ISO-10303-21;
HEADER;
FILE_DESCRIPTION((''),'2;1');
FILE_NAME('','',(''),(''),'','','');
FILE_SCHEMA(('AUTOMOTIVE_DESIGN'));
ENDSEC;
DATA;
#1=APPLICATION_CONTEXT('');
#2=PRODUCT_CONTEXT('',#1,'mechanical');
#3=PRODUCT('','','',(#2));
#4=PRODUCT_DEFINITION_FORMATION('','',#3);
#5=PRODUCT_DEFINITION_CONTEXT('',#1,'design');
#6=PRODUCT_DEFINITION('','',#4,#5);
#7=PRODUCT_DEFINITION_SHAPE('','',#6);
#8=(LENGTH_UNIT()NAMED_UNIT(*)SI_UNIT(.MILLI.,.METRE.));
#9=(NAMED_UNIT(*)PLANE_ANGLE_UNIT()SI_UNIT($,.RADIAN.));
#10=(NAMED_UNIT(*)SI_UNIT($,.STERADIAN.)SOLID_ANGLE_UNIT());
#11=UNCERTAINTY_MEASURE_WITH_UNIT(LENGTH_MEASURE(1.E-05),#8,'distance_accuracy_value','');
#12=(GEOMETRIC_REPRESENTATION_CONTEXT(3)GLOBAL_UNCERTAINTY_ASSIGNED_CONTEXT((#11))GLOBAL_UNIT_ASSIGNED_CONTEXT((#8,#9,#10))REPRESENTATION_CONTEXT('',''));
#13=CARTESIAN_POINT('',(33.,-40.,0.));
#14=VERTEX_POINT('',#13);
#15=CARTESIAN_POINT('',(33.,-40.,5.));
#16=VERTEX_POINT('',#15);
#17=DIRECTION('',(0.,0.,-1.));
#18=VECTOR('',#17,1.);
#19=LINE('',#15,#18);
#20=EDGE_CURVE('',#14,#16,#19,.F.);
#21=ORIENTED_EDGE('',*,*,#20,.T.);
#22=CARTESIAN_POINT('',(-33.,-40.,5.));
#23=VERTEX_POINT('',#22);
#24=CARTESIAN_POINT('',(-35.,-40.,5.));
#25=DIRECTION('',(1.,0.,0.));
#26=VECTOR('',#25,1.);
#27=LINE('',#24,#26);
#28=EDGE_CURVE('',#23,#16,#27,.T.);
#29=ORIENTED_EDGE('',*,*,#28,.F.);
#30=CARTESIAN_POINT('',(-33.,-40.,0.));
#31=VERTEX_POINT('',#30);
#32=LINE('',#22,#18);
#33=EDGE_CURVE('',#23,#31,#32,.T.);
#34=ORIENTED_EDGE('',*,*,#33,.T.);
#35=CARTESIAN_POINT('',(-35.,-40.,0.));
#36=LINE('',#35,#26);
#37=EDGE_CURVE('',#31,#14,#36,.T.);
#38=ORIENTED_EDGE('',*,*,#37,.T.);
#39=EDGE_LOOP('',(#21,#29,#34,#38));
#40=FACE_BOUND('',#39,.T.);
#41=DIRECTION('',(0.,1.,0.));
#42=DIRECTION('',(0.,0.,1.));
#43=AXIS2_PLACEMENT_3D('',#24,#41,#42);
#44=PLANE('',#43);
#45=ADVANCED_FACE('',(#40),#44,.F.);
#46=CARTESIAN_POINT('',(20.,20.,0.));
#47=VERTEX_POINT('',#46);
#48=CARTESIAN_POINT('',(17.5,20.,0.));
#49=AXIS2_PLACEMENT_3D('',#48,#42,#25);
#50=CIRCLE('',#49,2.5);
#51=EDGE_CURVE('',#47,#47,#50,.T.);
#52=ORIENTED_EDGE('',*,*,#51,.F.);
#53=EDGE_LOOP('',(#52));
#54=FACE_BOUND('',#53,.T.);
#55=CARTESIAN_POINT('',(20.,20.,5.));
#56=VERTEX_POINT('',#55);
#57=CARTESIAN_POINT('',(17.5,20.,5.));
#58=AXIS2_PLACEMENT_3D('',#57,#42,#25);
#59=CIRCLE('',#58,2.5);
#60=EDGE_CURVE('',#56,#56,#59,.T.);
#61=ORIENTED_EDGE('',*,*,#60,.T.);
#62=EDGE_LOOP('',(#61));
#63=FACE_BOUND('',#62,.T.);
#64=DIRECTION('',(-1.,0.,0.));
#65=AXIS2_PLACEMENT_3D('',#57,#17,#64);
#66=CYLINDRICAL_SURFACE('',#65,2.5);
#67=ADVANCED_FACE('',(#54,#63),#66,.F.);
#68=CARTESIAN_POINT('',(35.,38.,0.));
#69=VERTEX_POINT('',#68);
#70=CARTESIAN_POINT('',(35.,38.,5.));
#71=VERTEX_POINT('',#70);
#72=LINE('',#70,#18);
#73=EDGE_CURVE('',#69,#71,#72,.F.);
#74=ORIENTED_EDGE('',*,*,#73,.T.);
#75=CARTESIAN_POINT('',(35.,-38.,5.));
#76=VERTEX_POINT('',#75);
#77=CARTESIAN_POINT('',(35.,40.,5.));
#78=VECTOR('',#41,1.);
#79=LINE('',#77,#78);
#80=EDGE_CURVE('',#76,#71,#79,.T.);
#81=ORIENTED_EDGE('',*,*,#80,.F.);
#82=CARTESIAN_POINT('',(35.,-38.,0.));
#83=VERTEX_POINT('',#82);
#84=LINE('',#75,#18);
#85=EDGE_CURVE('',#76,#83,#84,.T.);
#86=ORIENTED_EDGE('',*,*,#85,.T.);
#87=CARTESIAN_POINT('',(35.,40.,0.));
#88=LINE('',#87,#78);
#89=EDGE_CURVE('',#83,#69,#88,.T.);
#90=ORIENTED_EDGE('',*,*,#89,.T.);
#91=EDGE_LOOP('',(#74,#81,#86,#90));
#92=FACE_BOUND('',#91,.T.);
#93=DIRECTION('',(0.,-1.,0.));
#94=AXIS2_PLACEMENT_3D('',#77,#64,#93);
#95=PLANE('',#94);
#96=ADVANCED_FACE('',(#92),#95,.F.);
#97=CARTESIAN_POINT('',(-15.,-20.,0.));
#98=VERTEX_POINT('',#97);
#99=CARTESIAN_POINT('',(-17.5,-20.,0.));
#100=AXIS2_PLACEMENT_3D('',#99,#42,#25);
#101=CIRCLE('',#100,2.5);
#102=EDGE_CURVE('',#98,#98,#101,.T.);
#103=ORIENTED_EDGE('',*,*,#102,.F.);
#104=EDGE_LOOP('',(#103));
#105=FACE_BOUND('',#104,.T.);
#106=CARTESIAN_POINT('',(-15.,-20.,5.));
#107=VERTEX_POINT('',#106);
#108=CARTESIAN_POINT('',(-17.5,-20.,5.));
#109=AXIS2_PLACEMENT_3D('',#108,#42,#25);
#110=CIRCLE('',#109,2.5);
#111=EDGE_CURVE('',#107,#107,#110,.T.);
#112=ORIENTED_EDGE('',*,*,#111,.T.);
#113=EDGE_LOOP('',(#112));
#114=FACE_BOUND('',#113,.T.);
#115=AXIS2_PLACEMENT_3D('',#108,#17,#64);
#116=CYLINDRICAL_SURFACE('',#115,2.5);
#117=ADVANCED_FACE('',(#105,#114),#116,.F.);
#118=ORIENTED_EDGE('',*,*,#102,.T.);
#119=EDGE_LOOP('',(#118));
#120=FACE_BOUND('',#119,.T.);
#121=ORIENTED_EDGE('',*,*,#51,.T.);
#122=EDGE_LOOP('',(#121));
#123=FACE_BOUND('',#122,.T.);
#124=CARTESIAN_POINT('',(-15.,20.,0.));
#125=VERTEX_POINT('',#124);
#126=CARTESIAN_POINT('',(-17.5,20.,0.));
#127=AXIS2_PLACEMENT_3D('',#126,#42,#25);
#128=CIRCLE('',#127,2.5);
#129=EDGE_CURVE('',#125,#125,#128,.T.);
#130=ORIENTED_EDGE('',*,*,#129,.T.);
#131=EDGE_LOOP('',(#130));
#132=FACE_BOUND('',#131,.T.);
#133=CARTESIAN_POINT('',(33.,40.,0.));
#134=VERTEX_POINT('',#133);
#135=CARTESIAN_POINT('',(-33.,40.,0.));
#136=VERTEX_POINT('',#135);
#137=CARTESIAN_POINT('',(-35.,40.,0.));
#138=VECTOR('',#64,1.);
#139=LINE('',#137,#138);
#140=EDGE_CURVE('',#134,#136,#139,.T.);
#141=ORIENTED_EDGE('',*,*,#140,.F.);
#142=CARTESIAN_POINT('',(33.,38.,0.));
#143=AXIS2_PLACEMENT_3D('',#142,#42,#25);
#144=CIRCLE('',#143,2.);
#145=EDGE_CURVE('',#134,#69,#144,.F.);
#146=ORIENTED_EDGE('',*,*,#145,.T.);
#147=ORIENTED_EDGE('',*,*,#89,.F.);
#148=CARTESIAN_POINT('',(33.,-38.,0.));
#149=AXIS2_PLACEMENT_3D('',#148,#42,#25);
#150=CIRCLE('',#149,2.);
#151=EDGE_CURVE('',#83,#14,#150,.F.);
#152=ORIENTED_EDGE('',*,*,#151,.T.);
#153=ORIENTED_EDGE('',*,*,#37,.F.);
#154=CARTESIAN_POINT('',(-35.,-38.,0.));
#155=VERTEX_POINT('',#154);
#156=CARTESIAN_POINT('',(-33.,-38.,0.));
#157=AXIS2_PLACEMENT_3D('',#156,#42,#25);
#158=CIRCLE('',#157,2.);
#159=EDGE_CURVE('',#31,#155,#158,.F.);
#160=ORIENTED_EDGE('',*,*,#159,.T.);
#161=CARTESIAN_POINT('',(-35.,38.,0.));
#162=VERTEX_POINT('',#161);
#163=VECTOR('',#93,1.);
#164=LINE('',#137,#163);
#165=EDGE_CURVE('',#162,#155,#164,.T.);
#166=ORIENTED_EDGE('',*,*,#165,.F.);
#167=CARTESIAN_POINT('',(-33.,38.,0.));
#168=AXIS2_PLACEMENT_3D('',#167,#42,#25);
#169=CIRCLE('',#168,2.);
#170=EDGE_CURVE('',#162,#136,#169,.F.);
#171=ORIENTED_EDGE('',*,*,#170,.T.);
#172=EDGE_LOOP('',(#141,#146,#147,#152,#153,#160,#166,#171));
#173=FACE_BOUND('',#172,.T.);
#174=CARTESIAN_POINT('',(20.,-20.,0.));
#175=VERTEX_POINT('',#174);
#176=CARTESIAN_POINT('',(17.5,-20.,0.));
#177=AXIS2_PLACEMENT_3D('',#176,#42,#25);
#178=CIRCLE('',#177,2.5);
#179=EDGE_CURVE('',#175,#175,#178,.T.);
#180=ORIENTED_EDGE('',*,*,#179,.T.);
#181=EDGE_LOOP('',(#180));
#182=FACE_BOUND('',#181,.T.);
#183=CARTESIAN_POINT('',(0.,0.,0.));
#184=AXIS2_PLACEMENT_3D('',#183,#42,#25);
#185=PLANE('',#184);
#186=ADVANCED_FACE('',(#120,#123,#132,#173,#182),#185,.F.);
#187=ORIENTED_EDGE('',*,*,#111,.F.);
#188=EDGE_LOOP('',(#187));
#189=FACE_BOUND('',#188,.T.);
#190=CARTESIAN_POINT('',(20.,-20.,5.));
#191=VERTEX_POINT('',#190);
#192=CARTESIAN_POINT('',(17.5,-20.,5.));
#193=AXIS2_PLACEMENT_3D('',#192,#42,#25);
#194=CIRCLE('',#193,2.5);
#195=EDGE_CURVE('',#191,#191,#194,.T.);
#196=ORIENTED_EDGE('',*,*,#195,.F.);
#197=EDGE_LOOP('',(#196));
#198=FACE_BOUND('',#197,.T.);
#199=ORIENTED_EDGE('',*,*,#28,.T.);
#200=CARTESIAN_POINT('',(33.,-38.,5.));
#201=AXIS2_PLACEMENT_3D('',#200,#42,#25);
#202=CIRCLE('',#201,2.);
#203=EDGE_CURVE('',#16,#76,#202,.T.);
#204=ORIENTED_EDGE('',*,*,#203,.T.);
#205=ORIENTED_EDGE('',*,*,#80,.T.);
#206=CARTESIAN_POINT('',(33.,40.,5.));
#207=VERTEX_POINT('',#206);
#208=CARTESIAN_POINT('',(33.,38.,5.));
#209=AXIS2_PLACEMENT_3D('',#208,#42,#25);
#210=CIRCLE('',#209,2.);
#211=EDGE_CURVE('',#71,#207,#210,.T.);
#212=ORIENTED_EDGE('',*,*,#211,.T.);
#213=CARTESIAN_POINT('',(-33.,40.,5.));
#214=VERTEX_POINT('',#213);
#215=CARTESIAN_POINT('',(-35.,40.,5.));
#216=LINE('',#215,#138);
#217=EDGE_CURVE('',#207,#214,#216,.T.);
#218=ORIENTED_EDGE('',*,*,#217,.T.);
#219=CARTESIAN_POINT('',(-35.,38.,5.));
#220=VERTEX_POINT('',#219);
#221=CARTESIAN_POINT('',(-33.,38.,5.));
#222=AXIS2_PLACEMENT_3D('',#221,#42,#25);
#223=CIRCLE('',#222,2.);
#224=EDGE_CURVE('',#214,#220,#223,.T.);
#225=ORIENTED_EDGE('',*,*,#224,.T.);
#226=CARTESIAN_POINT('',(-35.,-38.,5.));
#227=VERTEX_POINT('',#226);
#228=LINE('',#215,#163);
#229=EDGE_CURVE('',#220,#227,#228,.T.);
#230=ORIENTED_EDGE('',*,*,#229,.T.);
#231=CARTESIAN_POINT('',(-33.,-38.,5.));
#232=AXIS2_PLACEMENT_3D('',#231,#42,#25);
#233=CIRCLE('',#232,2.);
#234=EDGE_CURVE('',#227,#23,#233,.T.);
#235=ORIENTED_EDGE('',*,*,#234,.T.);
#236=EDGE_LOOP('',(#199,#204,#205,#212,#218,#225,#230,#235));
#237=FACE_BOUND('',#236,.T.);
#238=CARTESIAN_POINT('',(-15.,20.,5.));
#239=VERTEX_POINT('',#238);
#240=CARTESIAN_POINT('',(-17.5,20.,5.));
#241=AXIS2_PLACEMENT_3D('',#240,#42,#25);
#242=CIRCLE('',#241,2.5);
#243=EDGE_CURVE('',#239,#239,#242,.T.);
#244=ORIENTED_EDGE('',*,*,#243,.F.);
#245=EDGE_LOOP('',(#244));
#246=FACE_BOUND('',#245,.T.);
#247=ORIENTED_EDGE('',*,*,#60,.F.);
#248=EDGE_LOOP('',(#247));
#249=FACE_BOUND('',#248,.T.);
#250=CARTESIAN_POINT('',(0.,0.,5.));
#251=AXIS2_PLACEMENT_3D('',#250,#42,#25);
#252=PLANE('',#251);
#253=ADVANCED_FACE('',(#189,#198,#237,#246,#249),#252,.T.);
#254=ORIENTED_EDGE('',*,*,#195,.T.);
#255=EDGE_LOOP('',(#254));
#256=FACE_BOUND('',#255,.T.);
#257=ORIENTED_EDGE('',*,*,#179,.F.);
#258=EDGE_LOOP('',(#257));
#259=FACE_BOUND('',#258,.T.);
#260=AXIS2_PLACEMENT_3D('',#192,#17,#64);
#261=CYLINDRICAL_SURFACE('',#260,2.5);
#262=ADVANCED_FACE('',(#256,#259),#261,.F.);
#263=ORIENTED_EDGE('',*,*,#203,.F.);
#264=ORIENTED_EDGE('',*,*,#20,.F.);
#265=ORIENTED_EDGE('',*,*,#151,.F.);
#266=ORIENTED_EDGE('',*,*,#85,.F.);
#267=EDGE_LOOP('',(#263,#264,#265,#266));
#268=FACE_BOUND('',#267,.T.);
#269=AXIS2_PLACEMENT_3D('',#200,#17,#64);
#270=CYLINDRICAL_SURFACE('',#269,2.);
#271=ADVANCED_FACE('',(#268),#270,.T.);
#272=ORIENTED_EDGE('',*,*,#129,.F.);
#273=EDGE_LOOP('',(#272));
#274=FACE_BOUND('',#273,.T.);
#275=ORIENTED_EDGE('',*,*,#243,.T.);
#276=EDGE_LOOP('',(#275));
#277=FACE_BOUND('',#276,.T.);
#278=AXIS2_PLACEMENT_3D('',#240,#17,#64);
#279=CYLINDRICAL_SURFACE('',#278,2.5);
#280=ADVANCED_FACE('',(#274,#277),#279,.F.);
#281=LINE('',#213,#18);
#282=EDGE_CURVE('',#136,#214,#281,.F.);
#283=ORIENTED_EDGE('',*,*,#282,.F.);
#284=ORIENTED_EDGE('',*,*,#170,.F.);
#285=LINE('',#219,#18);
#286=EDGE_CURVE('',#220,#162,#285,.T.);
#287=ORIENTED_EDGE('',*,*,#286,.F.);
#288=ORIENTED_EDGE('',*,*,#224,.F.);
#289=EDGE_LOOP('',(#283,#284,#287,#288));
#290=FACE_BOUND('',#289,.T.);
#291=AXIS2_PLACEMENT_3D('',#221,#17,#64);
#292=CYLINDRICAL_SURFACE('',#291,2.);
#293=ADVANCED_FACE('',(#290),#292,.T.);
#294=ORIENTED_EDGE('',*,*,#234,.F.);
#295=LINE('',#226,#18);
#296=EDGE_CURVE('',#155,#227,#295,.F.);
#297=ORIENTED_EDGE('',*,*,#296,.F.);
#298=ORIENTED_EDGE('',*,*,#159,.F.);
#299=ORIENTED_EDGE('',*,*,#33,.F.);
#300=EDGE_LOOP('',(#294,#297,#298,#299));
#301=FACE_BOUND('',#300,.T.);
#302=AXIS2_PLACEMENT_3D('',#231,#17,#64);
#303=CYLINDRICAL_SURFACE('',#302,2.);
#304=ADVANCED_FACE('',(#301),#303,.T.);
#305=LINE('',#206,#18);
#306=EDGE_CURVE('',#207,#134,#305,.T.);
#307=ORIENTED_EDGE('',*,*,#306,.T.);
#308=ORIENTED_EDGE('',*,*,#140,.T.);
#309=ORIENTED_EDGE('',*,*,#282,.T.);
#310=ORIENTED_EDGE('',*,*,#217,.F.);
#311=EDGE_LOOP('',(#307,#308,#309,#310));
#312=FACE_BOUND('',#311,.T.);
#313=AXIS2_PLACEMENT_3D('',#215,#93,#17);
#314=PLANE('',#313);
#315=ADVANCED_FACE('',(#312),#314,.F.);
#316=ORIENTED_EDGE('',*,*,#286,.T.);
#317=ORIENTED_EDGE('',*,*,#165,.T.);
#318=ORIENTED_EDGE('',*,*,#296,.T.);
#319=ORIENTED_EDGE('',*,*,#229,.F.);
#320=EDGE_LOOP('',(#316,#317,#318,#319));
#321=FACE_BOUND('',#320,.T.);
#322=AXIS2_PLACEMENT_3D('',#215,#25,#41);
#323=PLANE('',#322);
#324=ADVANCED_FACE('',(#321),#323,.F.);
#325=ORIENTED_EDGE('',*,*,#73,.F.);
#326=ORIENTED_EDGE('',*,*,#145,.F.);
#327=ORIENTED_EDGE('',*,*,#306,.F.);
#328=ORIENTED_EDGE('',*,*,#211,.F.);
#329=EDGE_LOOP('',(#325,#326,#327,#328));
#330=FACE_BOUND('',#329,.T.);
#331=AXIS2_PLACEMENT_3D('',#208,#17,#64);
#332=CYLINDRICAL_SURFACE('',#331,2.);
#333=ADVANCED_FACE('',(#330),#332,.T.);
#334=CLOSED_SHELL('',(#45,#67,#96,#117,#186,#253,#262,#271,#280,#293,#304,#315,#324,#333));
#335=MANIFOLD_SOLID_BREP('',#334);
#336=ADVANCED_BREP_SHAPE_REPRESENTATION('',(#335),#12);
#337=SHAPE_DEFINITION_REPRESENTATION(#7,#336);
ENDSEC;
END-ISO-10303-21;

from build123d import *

# Parameters (mm, degrees)
SKETCH2_W           = 70
SKETCH2_H           = 80
SKETCH2_R           = 2.5
BOSS_EXTRUDE1_DEPTH = 5
FILLET1_R           = 2


with BuildPart() as part:
    # Sketch2 → Boss-Extrude1 (new body)
    with BuildSketch(Plane.XY):
        Rectangle(SKETCH2_W, SKETCH2_H)
        with Locations((-17.5, 20)):
            Circle(SKETCH2_R, mode=Mode.SUBTRACT)
        with Locations((17.5, 20)):
            Circle(SKETCH2_R, mode=Mode.SUBTRACT)
        with Locations((17.5, -20)):
            Circle(SKETCH2_R, mode=Mode.SUBTRACT)
        with Locations((-17.5, -20)):
            Circle(SKETCH2_R, mode=Mode.SUBTRACT)
    extrude(amount=BOSS_EXTRUDE1_DEPTH)

    # Fillet1
    fillet1_edges = [part.edges().sort_by_distance(p)[0] for p in [
        (35, -40, 2.5),
        (-35, -40, 2.5),
        (-35, 40, 2.5),
        (35, 40, 2.5),
    ]]
    fillet(fillet1_edges, radius=FILLET1_R)


solid = part.part
